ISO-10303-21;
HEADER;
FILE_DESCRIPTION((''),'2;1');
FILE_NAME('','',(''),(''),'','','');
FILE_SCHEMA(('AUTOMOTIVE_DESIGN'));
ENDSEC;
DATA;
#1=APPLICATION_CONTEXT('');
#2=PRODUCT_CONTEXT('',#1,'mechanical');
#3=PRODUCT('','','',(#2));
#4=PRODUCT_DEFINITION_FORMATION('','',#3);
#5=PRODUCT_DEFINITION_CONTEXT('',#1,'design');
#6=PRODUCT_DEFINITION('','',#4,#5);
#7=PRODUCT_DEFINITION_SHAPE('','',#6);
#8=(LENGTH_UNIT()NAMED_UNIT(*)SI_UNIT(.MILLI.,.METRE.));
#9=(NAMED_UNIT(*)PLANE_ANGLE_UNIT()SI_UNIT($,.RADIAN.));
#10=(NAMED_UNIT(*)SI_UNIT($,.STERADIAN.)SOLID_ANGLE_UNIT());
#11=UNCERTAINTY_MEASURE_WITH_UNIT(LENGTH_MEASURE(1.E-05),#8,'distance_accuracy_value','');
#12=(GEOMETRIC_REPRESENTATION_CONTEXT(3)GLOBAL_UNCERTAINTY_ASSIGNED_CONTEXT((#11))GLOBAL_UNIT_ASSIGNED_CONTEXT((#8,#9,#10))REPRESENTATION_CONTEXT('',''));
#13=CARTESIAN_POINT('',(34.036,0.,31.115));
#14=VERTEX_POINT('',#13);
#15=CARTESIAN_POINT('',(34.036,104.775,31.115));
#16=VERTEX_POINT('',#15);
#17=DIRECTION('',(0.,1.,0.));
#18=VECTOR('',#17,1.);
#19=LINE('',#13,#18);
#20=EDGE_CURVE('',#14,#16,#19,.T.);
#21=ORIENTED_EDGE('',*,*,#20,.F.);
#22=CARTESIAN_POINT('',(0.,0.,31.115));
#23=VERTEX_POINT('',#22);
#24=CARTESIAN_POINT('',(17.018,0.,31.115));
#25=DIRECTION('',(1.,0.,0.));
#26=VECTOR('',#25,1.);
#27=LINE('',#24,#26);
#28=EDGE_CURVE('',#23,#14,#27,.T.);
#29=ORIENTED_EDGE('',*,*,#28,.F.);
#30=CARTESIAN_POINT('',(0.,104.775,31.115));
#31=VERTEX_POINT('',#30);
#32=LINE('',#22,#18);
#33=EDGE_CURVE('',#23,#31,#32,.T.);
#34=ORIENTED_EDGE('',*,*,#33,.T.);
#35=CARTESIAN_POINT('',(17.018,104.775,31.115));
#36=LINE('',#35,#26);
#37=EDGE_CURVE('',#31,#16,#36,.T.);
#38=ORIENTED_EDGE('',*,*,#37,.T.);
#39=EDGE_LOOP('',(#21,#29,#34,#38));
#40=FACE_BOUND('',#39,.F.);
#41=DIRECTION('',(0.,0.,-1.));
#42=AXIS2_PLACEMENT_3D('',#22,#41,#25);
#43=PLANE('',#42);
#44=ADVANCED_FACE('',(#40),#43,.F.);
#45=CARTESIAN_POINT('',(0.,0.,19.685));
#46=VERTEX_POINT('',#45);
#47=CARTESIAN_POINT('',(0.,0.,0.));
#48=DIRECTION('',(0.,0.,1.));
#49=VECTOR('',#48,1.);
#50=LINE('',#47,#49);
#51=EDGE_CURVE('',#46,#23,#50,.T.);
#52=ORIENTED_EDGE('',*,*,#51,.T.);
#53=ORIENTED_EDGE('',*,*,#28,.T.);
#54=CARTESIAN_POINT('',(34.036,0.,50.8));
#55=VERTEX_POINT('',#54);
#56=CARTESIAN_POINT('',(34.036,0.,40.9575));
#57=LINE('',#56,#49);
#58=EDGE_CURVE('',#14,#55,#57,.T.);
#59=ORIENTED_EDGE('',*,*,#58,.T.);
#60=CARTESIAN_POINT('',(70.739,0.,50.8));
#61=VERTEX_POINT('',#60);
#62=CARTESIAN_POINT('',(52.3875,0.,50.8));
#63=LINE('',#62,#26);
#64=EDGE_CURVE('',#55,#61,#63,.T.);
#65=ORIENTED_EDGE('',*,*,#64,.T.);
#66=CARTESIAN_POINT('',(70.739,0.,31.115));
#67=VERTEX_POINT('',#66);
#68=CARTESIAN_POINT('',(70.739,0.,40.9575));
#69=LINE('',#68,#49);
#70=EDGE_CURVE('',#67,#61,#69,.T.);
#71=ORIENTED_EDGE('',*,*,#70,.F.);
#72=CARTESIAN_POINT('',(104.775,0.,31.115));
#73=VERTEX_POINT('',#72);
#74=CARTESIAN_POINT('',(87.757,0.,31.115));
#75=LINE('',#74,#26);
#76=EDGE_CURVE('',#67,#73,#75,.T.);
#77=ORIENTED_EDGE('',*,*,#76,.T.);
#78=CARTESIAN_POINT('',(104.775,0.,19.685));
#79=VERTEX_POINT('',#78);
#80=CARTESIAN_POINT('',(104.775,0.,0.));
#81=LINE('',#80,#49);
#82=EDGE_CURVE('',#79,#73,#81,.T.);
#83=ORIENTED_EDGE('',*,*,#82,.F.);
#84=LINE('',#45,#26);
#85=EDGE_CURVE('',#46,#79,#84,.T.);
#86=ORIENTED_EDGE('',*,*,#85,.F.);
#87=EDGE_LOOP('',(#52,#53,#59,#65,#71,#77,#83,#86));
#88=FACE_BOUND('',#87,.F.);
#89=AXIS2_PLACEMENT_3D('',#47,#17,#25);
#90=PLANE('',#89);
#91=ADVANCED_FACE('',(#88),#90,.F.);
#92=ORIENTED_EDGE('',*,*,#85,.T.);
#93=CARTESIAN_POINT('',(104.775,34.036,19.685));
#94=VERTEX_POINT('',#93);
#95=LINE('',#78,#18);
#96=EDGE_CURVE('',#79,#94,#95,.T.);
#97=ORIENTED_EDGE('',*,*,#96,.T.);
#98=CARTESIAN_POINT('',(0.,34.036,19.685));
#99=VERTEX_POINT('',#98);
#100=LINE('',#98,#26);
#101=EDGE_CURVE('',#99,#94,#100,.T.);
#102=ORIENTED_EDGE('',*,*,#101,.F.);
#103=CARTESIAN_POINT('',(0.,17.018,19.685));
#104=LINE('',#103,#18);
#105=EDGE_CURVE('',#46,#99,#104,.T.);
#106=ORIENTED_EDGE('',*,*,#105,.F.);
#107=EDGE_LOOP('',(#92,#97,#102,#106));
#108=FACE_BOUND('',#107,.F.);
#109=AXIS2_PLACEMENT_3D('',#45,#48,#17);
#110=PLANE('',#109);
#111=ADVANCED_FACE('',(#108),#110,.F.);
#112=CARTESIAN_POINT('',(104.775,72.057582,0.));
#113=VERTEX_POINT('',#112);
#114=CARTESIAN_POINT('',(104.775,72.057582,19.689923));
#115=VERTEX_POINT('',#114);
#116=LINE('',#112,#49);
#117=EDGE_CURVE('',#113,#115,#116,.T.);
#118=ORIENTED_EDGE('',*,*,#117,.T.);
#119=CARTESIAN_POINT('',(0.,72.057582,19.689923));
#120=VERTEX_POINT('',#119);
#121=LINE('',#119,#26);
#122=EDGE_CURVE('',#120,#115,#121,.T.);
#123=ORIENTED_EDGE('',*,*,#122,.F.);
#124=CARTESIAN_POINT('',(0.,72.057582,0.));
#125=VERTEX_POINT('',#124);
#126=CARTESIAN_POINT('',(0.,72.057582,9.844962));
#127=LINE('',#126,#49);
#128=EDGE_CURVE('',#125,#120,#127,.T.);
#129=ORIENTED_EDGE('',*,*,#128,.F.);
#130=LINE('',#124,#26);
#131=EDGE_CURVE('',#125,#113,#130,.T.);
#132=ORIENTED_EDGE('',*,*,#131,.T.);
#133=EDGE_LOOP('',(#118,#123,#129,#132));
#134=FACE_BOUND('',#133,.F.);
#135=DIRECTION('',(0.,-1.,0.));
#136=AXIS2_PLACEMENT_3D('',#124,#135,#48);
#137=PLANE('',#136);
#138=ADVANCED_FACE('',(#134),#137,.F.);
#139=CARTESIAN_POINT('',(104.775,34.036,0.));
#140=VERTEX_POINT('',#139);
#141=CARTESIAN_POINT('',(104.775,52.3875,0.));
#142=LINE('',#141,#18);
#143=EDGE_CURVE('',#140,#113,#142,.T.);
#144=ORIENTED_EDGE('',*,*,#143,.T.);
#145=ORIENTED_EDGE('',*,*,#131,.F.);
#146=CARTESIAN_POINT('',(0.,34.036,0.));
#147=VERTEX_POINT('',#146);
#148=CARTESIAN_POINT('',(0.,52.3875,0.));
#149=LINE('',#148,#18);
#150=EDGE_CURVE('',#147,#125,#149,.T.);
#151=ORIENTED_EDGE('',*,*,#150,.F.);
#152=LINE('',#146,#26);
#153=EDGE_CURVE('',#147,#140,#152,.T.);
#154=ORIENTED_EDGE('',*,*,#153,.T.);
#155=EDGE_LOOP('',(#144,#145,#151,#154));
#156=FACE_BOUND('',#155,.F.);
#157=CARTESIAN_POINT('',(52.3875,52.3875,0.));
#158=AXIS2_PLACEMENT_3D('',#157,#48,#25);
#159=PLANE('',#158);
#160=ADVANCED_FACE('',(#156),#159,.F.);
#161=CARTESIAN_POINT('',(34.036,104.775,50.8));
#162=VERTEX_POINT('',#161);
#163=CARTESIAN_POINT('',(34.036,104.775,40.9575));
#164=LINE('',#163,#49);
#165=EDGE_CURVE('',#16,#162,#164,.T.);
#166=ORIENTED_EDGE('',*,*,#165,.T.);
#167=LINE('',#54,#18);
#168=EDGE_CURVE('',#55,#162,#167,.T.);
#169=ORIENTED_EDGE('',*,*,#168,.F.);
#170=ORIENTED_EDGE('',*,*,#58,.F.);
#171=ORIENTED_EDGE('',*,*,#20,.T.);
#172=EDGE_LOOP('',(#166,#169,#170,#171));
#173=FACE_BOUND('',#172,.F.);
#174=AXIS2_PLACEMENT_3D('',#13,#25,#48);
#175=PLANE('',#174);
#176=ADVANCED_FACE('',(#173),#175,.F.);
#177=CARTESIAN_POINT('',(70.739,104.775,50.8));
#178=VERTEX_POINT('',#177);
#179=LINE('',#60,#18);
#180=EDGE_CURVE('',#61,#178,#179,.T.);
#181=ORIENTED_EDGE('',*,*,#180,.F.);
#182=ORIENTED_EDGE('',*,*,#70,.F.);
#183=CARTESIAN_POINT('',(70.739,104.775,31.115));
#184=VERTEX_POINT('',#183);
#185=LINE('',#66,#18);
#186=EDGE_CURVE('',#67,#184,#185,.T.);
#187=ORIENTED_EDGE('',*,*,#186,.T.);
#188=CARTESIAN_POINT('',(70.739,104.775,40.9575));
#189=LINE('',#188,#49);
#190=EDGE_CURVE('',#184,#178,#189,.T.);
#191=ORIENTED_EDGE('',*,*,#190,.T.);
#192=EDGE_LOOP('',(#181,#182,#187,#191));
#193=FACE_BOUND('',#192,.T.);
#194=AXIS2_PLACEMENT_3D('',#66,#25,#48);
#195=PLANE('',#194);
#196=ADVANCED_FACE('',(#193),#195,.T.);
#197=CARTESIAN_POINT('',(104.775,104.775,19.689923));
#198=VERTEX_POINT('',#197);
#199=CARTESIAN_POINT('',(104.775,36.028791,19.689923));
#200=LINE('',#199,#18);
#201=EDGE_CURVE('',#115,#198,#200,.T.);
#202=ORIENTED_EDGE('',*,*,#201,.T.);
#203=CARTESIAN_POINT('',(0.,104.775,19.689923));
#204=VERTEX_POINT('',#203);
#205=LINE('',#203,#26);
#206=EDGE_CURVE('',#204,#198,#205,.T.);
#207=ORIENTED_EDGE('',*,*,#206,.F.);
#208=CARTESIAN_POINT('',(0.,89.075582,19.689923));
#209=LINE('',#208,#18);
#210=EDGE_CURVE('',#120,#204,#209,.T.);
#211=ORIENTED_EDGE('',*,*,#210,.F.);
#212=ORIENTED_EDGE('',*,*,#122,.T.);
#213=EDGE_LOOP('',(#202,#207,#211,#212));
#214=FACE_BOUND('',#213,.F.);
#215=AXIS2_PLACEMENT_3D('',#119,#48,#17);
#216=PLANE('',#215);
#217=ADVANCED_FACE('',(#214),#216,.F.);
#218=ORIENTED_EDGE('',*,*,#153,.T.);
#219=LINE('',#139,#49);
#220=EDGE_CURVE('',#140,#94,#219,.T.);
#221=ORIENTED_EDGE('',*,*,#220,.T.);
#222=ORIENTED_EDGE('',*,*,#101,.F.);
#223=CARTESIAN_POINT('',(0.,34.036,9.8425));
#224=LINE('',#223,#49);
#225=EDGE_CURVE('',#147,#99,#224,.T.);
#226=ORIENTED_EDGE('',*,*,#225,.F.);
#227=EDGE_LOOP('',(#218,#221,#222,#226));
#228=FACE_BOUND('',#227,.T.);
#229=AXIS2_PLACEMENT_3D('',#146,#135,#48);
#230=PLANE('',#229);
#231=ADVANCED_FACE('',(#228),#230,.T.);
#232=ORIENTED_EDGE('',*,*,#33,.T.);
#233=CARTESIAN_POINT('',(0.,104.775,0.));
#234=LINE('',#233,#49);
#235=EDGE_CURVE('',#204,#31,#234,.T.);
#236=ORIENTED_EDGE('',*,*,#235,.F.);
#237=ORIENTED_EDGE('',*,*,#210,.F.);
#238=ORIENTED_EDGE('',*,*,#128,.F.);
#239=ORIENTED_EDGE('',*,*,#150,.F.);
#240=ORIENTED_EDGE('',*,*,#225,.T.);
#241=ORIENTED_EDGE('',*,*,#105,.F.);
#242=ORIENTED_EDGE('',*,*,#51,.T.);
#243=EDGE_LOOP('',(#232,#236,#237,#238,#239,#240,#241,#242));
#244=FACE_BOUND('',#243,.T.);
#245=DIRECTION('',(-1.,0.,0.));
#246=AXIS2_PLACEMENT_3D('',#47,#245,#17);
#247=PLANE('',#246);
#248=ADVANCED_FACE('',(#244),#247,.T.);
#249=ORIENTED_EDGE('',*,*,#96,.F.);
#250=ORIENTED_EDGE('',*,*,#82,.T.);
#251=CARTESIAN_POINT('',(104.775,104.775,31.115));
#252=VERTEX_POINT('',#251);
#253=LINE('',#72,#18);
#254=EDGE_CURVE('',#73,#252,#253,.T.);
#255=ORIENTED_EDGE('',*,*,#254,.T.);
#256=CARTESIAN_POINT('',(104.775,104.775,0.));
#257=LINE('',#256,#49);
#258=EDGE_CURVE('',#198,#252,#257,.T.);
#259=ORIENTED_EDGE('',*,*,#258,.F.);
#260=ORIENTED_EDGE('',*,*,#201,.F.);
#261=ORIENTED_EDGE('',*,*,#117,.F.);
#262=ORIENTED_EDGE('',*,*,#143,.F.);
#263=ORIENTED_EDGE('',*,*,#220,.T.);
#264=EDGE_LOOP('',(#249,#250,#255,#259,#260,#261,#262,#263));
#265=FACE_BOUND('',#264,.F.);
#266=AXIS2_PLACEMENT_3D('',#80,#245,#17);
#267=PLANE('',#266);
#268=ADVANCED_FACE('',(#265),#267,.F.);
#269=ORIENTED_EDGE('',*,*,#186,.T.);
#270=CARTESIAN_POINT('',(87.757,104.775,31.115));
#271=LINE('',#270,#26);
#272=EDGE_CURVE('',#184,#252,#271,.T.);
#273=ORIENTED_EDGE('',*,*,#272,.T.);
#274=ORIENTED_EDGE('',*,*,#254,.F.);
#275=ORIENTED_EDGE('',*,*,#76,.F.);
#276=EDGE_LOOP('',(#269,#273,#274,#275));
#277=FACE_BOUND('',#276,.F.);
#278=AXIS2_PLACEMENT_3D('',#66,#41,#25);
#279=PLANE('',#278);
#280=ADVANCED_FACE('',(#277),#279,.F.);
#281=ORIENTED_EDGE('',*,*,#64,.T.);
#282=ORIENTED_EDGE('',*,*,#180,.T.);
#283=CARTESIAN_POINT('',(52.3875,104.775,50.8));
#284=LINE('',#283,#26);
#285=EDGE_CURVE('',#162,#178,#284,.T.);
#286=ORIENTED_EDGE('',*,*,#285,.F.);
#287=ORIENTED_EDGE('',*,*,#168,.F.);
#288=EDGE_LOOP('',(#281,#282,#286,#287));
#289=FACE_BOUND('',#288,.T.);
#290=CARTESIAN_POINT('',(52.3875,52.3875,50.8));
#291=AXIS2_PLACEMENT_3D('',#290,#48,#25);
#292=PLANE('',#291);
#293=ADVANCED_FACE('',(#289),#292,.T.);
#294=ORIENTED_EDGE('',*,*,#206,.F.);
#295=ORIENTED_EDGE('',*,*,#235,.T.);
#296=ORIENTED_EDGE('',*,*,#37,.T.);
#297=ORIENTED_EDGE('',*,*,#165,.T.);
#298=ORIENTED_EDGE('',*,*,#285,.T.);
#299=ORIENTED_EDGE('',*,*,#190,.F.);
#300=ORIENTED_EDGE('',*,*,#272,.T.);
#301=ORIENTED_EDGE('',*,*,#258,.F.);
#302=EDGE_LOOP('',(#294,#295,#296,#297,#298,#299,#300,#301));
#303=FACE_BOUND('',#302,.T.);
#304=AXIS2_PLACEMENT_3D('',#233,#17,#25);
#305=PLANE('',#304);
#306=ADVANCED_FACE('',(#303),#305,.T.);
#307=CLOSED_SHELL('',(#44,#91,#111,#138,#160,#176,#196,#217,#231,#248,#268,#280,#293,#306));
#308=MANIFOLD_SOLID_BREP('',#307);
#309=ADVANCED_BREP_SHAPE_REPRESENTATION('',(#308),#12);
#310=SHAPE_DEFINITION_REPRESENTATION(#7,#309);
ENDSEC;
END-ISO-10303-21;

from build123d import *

# Parameters (mm, degrees)
F0_W     = 104.775
F0_H     = 104.775
F1_DEPTH = 50.8
F2_W     = 34.036
F2_H     = 19.685
F3_DEPTH = 104.775
F4_W     = 34.036
F4_H     = 19.6899231523
F4_H_2   = 19.685
F5_DEPTH = 158.242


with BuildPart() as f1:
    # F0 (on Top) → F1 (new body)
    with BuildSketch(Plane.XY):
        with Locations((52.3875, 52.3875)):
            Rectangle(F0_W, F0_H)
    extrude(amount=F1_DEPTH)

    # F2 (on face) → F3 (cut)
    with BuildSketch(Plane.XZ):
        with Locations((87.757, 40.9575)):
            Rectangle(F2_W, F2_H)
        with Locations((17.018, 40.9575)):
            Rectangle(F2_W, F2_H)
    extrude(amount=-F3_DEPTH, mode=Mode.SUBTRACT)

    # F4 (on Right) → F5 (cut)
    with BuildSketch(Plane.YZ):
        with Locations((89.075582438, 9.8449615762)):
            Rectangle(F4_W, F4_H)
        with Locations((17.018, 9.8425)):
            Rectangle(F4_W, F4_H_2)
    extrude(amount=F5_DEPTH, mode=Mode.SUBTRACT)


solid = f1.part
